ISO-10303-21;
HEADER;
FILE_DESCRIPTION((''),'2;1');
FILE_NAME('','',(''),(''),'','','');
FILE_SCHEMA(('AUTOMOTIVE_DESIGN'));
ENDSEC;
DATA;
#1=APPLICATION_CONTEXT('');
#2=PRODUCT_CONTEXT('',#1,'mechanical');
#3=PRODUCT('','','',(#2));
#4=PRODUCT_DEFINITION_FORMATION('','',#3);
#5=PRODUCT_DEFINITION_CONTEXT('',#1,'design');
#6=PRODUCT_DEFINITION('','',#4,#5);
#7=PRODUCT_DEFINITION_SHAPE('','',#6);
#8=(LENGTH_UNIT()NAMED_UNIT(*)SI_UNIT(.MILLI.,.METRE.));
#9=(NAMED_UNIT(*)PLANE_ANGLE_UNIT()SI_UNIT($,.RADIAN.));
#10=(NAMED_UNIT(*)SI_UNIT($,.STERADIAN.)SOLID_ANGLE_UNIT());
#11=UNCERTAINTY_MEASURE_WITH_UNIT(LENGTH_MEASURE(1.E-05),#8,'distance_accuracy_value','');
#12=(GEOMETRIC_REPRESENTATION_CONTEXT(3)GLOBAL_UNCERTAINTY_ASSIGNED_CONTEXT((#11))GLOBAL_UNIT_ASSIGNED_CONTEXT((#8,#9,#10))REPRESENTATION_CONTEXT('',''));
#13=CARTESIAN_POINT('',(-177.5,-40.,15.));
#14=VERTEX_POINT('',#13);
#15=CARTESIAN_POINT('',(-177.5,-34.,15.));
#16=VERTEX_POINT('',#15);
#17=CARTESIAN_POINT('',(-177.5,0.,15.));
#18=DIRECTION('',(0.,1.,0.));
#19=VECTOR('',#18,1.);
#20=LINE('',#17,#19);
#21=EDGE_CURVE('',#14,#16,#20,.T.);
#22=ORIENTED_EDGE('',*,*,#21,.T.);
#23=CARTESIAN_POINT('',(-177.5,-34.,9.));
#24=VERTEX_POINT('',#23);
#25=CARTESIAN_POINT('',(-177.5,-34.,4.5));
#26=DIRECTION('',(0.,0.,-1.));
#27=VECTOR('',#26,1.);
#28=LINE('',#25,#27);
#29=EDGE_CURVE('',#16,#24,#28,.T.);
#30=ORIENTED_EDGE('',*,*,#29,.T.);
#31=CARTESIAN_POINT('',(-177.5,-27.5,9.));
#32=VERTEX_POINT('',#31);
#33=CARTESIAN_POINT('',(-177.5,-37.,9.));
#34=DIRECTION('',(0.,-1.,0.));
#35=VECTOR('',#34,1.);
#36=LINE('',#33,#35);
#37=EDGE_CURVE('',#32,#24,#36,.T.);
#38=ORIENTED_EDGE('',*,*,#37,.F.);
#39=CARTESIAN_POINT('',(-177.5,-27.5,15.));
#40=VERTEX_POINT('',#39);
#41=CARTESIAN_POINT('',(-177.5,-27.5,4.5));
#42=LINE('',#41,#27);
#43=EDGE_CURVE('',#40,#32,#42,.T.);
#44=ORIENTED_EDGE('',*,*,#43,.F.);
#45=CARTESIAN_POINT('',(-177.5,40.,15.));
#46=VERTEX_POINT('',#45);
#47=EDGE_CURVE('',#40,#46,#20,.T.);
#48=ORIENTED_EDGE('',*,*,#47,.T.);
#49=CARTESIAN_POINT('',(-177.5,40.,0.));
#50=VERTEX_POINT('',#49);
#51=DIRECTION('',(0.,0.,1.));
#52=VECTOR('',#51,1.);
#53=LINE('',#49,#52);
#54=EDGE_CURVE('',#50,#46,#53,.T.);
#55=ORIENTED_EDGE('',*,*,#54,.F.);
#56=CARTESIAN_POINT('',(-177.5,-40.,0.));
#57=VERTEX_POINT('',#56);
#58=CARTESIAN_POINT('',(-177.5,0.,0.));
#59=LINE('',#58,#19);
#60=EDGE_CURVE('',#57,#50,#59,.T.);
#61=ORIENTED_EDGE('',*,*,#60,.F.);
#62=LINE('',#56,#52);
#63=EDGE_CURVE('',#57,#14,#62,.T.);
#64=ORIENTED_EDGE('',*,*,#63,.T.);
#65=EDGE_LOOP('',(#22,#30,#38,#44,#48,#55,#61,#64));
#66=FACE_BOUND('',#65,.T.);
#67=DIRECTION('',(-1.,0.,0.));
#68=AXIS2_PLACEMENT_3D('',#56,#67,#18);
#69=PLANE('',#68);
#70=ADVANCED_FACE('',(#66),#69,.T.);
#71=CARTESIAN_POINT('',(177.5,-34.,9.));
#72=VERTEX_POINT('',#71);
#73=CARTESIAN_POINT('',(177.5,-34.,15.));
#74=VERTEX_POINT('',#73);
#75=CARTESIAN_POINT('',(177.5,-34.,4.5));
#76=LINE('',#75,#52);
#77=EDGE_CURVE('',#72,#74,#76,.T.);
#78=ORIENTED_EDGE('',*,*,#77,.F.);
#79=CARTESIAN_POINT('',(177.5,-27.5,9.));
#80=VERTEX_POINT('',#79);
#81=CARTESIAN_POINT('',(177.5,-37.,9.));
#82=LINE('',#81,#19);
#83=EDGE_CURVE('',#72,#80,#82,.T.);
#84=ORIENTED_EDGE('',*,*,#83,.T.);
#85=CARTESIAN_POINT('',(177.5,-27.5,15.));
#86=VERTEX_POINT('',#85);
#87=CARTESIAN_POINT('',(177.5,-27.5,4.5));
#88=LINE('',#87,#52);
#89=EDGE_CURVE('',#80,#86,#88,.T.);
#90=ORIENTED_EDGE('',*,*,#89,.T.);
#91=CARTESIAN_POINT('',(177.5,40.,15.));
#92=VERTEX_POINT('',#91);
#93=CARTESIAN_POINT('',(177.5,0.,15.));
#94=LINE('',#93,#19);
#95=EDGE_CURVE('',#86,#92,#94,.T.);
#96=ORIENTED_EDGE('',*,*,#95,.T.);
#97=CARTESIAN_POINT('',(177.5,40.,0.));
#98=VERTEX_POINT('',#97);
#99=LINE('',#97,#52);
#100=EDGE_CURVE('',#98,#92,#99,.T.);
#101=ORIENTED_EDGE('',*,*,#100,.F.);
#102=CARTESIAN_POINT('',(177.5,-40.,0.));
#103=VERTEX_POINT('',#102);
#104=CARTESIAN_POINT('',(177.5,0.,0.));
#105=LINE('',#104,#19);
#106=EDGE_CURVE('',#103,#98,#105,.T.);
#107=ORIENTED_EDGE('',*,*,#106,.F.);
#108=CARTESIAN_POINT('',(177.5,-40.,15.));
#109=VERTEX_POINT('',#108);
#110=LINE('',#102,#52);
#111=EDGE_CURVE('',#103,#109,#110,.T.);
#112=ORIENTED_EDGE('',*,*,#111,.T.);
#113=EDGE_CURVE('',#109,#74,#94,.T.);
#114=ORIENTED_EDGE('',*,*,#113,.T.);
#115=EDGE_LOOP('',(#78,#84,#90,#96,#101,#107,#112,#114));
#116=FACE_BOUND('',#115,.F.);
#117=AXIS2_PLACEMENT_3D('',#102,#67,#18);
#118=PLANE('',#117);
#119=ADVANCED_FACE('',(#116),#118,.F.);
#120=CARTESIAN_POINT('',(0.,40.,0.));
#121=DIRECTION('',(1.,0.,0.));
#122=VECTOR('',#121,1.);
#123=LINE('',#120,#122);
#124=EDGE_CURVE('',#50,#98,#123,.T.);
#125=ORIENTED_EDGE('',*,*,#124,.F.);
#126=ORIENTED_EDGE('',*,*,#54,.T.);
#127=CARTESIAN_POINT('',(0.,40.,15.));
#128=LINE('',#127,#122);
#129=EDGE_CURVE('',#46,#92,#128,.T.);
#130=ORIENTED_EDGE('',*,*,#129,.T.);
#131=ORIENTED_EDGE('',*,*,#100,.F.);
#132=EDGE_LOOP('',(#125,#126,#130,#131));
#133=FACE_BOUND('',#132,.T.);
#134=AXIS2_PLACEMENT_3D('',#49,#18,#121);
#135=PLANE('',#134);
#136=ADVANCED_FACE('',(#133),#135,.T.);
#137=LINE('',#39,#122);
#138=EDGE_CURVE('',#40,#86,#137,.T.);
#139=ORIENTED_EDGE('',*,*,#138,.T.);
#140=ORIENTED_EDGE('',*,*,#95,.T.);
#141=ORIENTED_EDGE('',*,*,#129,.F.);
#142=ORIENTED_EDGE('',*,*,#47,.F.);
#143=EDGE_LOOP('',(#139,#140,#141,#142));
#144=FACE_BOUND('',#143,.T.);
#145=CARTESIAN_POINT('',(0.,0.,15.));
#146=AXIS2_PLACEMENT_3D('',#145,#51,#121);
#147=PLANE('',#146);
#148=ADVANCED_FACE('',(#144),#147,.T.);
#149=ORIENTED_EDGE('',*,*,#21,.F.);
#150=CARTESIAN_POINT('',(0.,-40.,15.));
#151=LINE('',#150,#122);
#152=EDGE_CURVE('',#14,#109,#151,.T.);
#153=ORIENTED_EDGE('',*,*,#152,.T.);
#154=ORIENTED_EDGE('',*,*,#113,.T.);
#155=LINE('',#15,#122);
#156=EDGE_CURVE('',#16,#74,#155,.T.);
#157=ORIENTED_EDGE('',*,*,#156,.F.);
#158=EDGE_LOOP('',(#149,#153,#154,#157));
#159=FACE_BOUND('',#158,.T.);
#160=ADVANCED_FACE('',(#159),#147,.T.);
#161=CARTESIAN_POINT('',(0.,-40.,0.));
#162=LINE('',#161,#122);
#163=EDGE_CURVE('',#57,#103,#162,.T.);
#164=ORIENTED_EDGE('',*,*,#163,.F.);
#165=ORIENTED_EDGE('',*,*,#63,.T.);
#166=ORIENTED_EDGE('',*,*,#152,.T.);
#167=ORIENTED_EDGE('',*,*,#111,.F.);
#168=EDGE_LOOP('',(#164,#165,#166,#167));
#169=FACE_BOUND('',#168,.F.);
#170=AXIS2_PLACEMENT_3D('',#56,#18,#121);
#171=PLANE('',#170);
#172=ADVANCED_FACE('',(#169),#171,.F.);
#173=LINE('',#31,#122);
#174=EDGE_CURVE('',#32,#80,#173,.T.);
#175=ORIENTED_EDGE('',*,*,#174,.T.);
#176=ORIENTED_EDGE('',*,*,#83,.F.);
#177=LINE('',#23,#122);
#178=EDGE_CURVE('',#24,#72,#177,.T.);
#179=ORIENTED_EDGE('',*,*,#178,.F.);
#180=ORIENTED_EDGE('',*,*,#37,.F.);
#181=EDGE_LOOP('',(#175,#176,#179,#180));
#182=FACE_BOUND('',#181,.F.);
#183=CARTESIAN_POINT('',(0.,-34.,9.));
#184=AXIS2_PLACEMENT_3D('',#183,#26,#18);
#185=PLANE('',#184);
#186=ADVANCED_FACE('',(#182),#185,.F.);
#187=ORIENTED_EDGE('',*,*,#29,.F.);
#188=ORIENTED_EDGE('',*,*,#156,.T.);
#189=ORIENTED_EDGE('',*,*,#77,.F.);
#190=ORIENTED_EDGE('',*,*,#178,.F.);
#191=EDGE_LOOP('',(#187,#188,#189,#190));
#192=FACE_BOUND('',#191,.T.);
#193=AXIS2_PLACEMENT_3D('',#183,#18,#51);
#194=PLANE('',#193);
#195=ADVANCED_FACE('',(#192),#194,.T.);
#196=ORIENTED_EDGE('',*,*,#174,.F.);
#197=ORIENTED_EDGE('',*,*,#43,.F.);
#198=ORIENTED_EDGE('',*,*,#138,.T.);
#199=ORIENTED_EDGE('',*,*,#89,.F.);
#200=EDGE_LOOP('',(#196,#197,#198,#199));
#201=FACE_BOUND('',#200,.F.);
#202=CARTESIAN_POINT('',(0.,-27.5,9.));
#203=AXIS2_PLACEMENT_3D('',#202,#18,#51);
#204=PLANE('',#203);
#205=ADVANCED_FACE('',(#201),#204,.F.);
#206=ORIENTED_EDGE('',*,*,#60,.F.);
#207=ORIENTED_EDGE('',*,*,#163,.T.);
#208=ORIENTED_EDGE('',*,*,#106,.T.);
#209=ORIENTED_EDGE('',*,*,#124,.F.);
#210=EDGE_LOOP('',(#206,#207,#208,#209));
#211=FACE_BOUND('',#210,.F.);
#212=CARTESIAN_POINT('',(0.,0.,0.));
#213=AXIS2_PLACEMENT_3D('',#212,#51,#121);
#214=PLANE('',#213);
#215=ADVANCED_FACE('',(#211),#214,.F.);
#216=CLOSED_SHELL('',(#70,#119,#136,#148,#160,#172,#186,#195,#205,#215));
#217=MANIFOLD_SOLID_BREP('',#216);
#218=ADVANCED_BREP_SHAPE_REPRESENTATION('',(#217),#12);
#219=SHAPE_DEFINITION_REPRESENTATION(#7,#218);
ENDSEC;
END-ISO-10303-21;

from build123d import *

# Parameters (mm, degrees)
SKETCH_W          = 355
SKETCH_H          = 80
PAD_DEPTH         = 15
SKETCH001_W       = 6.5
SKETCH001_H       = 6
POCKET_DEPTH      = 177.501
POCKET_DEPTH_BACK = -177.501


with BuildPart() as part:
    # Sketch → Pad (new body)
    with BuildSketch(Plane.XY):
        Rectangle(SKETCH_W, SKETCH_H)
    extrude(amount=PAD_DEPTH)

    # Sketch001 → Pocket (cut, two sides)
    with BuildSketch(Plane.YZ) as pocket_sk:
        with Locations((-30.75, 12)):
            Rectangle(SKETCH001_W, SKETCH001_H)
    extrude(amount=-POCKET_DEPTH, mode=Mode.SUBTRACT)
    extrude(pocket_sk.sketch, amount=-POCKET_DEPTH_BACK, mode=Mode.SUBTRACT)


solid = part.part
